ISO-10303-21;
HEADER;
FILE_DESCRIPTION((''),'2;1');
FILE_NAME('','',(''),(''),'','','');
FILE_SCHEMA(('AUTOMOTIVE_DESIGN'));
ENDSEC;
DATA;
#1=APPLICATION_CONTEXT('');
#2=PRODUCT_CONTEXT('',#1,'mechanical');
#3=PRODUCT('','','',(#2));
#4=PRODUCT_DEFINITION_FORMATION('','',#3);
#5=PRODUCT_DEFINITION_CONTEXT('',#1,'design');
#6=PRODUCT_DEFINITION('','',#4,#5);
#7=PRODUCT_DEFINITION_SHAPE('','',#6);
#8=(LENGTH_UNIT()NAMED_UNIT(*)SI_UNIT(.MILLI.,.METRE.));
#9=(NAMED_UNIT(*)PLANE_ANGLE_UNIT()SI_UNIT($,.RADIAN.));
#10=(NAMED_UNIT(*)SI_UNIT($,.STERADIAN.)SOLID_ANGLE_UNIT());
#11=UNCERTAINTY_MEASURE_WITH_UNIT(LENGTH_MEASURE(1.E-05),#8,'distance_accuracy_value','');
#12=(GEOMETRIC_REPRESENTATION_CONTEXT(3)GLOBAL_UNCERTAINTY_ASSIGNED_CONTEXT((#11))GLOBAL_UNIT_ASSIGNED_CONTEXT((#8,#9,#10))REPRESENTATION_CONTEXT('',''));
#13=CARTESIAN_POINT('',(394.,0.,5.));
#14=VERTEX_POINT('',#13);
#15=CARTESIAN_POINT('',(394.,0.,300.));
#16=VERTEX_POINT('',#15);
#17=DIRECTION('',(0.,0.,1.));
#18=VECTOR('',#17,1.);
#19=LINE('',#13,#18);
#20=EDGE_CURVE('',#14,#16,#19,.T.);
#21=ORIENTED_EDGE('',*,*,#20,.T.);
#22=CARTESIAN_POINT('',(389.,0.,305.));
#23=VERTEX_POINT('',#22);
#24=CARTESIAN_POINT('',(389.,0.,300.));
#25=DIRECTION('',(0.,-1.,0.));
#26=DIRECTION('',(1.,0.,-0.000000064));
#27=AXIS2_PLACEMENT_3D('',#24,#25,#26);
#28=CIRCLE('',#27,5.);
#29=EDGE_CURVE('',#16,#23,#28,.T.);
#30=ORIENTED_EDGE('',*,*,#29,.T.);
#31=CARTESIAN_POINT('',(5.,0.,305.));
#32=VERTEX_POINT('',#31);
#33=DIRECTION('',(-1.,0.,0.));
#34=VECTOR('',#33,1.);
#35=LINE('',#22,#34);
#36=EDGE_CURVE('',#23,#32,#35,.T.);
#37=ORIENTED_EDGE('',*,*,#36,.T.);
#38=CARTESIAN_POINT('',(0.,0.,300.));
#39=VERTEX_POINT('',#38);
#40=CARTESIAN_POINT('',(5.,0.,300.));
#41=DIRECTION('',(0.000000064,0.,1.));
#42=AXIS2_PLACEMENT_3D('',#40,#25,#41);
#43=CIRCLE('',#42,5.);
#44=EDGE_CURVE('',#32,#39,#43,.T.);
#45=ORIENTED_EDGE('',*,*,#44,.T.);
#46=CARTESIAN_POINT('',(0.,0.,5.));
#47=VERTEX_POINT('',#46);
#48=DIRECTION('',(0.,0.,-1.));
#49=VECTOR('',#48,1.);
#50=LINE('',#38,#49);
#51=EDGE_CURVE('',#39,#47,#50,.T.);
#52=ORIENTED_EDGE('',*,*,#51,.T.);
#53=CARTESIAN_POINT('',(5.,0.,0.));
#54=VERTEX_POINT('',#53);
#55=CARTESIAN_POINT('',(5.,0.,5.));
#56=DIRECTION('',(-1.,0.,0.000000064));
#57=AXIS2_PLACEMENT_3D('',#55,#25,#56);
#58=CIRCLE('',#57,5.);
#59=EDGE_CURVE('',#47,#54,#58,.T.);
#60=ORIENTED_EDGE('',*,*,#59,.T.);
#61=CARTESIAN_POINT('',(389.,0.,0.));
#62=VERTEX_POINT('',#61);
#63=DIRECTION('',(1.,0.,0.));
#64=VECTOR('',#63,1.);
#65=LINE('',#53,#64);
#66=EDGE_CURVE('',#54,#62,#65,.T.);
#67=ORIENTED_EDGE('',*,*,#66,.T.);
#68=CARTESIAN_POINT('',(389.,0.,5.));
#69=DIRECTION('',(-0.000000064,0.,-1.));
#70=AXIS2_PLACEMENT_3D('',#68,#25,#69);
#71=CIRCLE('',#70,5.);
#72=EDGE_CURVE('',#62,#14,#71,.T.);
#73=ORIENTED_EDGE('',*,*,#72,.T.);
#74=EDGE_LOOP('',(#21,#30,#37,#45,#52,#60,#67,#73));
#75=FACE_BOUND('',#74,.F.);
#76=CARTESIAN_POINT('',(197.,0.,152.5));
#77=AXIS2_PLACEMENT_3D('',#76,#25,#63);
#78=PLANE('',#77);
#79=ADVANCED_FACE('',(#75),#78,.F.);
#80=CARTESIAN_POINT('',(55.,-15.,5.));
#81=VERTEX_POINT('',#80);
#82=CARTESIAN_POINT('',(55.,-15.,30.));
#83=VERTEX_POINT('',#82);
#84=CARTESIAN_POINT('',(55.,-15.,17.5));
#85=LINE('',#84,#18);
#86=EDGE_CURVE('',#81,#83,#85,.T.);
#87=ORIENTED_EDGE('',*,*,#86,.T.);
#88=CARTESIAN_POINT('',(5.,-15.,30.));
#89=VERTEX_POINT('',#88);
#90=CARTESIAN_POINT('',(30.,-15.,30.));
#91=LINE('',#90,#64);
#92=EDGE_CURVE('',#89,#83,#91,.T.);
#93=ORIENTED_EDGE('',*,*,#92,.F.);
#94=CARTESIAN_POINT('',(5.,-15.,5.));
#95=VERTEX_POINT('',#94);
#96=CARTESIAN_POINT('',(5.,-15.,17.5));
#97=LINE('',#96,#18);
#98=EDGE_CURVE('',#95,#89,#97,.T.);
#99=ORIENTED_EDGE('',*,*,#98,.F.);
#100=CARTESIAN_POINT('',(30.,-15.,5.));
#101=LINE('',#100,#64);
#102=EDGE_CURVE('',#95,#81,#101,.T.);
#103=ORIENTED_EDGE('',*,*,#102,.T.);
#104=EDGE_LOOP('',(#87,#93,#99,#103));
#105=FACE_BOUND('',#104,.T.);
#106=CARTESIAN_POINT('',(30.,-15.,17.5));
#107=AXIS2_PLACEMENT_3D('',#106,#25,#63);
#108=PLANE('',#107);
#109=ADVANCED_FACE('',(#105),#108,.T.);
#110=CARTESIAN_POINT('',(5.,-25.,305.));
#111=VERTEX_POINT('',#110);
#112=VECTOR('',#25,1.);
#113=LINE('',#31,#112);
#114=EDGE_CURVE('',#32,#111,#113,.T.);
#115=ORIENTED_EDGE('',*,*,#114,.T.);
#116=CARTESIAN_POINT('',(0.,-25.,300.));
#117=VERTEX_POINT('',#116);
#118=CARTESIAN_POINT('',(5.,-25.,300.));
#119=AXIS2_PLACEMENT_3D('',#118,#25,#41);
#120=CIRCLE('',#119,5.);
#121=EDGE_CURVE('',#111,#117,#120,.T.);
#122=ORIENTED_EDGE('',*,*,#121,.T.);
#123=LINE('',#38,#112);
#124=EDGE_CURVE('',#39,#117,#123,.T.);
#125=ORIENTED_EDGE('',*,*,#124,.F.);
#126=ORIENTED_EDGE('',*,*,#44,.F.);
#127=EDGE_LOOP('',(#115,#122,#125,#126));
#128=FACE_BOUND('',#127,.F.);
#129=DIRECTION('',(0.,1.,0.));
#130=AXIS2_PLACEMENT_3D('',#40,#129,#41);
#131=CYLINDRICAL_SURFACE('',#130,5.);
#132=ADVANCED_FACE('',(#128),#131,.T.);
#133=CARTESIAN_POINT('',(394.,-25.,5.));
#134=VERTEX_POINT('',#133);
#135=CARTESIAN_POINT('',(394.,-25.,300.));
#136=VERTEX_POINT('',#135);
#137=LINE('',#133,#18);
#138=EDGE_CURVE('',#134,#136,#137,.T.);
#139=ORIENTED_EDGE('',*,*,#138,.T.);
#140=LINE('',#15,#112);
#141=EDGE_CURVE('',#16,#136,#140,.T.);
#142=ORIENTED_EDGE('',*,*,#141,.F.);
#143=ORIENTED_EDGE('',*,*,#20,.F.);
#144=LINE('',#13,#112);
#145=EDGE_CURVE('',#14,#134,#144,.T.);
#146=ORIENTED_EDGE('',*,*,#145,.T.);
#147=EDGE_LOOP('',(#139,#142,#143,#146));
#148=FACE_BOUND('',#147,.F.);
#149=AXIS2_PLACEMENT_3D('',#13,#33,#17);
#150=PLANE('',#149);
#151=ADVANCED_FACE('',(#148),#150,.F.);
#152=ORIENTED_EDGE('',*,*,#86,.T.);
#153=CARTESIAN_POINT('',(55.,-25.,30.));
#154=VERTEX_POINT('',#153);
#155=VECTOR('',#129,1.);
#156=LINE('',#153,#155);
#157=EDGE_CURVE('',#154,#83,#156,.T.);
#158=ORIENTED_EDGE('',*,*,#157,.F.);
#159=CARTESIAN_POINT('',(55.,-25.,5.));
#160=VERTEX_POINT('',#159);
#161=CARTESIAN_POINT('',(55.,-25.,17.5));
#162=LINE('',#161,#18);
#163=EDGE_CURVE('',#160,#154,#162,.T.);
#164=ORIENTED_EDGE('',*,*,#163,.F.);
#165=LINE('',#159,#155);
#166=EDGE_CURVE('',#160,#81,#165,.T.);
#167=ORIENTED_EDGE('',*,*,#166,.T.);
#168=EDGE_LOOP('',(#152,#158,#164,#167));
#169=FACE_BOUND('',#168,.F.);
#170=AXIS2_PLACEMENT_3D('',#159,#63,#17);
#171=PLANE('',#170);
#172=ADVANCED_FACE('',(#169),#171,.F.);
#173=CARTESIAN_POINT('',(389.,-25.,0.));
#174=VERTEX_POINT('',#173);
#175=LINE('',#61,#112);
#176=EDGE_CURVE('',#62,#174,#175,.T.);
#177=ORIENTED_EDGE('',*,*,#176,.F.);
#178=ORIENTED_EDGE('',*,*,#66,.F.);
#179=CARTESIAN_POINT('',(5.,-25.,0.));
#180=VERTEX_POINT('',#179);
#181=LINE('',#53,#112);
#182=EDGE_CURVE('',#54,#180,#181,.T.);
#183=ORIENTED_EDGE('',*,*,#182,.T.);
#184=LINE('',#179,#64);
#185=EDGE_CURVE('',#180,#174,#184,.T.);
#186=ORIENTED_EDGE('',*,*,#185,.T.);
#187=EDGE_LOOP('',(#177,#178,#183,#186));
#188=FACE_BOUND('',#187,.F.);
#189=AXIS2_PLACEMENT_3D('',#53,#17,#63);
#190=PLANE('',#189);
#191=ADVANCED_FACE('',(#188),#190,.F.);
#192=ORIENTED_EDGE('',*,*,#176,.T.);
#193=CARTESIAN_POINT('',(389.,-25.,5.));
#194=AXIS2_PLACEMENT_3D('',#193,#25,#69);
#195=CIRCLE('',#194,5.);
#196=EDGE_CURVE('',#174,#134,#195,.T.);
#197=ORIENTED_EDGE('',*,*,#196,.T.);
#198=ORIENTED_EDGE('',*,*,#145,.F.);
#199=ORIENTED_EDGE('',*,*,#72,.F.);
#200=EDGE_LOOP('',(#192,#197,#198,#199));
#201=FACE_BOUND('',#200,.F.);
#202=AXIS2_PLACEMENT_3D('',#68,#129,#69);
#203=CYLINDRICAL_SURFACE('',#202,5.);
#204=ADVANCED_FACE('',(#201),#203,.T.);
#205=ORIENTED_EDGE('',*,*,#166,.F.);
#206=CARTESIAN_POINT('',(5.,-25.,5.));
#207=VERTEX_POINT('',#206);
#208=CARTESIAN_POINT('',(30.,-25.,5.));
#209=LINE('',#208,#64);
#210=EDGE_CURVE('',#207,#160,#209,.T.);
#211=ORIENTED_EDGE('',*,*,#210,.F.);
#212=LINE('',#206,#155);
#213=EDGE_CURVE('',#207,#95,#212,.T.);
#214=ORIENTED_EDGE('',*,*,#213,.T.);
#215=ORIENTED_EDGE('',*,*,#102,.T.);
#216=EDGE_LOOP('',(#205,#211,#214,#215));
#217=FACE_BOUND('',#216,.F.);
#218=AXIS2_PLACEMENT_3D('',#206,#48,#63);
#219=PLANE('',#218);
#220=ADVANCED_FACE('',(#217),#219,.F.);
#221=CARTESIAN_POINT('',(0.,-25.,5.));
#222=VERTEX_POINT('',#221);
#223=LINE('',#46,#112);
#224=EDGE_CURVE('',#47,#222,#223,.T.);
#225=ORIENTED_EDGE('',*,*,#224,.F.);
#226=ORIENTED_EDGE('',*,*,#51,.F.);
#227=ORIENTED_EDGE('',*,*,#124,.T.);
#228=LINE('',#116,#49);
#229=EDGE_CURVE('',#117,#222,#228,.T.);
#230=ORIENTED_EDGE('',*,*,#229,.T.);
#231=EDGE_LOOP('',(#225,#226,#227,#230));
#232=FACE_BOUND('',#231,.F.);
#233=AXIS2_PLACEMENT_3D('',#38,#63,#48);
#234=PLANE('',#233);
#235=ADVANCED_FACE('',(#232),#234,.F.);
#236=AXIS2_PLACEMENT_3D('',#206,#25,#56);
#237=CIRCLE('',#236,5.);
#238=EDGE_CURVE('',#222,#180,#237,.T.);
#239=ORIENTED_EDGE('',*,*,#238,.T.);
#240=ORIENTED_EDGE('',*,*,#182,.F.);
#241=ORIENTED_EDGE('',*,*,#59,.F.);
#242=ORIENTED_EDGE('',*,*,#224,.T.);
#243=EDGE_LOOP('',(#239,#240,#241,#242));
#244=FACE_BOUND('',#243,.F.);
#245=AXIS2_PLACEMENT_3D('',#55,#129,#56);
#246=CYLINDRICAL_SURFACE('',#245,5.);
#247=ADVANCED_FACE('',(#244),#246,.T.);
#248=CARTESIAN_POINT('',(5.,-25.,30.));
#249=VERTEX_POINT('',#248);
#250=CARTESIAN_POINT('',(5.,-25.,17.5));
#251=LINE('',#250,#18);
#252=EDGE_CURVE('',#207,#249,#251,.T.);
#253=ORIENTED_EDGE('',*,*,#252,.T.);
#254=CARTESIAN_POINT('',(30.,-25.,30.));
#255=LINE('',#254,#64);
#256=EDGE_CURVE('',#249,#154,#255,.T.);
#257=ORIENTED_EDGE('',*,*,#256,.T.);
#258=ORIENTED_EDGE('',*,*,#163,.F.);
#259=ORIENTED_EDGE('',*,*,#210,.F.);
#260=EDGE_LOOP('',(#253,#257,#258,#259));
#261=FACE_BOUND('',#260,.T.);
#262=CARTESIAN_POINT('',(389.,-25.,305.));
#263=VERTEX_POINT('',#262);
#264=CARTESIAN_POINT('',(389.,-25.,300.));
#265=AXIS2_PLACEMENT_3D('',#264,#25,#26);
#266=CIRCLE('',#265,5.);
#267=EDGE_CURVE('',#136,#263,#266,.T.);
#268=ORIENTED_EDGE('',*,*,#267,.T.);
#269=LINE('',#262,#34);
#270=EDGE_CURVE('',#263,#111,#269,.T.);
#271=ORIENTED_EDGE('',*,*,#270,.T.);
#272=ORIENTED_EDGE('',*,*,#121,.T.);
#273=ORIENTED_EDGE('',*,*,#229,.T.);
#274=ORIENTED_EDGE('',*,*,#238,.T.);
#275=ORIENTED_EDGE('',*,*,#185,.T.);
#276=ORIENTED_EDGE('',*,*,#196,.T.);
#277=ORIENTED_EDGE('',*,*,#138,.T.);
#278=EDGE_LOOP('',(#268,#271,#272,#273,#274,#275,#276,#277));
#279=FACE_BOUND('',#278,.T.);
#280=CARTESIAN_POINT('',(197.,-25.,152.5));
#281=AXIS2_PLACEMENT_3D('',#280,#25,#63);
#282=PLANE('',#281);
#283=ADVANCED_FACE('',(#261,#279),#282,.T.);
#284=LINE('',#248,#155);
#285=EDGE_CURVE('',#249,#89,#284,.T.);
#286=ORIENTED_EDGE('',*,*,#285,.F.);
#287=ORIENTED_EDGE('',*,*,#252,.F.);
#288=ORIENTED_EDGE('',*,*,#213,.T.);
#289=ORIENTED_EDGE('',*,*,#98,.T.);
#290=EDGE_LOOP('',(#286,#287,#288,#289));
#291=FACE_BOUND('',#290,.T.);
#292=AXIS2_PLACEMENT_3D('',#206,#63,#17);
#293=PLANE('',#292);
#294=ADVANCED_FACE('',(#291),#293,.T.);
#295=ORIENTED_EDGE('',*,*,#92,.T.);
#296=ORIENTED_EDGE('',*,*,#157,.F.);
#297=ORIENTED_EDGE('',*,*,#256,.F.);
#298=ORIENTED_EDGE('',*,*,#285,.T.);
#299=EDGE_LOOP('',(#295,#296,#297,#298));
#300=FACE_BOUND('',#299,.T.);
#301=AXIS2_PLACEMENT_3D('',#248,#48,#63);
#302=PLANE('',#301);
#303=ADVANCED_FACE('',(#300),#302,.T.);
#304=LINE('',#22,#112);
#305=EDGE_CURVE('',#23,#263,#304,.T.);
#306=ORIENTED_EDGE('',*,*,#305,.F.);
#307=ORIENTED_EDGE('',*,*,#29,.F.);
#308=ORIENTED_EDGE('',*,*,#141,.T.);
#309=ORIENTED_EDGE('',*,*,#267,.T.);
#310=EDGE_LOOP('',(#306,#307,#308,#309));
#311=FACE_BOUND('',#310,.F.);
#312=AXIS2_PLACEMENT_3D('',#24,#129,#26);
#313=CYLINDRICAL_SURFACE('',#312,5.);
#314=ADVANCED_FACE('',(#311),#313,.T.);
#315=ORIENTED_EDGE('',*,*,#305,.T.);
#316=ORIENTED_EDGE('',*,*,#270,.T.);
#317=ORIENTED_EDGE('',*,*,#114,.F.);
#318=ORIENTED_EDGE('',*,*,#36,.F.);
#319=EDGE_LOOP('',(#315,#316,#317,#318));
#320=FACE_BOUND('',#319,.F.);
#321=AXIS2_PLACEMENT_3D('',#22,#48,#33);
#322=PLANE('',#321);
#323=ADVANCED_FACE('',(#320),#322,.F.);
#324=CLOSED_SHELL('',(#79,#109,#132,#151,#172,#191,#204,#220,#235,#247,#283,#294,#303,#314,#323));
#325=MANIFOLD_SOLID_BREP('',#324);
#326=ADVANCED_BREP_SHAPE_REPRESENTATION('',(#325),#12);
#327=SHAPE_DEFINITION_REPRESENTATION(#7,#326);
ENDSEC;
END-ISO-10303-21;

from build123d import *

# Parameters (mm, degrees)
F1_DEPTH = 25
F2_W     = 50
F2_H     = 25
F3_DEPTH = 10


with BuildPart() as f1:
    # F0 (on Front) → F1 (new body)
    with BuildSketch(Plane.XZ):
        with BuildLine():
            ThreePointArc((0, 5), (1.464466, 1.464466), (5, 0))
            Line((5, 0), (389, 0))
            ThreePointArc((389, 0), (392.535534, 1.464466), (394, 5))
            Line((394, 5), (394, 300))
            ThreePointArc((394, 300), (392.535534, 303.535534), (389, 305))
            Line((389, 305), (5, 305))
            ThreePointArc((5, 305), (1.464466, 303.535534), (0, 300))
            Line((0, 300), (0, 5))
        make_face()
    extrude(amount=F1_DEPTH)

    # F2 (on face) → F3 (cut)
    with BuildSketch(Plane.XZ.offset(25)):
        with Locations((30, 17.5)):
            Rectangle(F2_W, F2_H)
    extrude(amount=-F3_DEPTH, mode=Mode.SUBTRACT)


solid = f1.part
